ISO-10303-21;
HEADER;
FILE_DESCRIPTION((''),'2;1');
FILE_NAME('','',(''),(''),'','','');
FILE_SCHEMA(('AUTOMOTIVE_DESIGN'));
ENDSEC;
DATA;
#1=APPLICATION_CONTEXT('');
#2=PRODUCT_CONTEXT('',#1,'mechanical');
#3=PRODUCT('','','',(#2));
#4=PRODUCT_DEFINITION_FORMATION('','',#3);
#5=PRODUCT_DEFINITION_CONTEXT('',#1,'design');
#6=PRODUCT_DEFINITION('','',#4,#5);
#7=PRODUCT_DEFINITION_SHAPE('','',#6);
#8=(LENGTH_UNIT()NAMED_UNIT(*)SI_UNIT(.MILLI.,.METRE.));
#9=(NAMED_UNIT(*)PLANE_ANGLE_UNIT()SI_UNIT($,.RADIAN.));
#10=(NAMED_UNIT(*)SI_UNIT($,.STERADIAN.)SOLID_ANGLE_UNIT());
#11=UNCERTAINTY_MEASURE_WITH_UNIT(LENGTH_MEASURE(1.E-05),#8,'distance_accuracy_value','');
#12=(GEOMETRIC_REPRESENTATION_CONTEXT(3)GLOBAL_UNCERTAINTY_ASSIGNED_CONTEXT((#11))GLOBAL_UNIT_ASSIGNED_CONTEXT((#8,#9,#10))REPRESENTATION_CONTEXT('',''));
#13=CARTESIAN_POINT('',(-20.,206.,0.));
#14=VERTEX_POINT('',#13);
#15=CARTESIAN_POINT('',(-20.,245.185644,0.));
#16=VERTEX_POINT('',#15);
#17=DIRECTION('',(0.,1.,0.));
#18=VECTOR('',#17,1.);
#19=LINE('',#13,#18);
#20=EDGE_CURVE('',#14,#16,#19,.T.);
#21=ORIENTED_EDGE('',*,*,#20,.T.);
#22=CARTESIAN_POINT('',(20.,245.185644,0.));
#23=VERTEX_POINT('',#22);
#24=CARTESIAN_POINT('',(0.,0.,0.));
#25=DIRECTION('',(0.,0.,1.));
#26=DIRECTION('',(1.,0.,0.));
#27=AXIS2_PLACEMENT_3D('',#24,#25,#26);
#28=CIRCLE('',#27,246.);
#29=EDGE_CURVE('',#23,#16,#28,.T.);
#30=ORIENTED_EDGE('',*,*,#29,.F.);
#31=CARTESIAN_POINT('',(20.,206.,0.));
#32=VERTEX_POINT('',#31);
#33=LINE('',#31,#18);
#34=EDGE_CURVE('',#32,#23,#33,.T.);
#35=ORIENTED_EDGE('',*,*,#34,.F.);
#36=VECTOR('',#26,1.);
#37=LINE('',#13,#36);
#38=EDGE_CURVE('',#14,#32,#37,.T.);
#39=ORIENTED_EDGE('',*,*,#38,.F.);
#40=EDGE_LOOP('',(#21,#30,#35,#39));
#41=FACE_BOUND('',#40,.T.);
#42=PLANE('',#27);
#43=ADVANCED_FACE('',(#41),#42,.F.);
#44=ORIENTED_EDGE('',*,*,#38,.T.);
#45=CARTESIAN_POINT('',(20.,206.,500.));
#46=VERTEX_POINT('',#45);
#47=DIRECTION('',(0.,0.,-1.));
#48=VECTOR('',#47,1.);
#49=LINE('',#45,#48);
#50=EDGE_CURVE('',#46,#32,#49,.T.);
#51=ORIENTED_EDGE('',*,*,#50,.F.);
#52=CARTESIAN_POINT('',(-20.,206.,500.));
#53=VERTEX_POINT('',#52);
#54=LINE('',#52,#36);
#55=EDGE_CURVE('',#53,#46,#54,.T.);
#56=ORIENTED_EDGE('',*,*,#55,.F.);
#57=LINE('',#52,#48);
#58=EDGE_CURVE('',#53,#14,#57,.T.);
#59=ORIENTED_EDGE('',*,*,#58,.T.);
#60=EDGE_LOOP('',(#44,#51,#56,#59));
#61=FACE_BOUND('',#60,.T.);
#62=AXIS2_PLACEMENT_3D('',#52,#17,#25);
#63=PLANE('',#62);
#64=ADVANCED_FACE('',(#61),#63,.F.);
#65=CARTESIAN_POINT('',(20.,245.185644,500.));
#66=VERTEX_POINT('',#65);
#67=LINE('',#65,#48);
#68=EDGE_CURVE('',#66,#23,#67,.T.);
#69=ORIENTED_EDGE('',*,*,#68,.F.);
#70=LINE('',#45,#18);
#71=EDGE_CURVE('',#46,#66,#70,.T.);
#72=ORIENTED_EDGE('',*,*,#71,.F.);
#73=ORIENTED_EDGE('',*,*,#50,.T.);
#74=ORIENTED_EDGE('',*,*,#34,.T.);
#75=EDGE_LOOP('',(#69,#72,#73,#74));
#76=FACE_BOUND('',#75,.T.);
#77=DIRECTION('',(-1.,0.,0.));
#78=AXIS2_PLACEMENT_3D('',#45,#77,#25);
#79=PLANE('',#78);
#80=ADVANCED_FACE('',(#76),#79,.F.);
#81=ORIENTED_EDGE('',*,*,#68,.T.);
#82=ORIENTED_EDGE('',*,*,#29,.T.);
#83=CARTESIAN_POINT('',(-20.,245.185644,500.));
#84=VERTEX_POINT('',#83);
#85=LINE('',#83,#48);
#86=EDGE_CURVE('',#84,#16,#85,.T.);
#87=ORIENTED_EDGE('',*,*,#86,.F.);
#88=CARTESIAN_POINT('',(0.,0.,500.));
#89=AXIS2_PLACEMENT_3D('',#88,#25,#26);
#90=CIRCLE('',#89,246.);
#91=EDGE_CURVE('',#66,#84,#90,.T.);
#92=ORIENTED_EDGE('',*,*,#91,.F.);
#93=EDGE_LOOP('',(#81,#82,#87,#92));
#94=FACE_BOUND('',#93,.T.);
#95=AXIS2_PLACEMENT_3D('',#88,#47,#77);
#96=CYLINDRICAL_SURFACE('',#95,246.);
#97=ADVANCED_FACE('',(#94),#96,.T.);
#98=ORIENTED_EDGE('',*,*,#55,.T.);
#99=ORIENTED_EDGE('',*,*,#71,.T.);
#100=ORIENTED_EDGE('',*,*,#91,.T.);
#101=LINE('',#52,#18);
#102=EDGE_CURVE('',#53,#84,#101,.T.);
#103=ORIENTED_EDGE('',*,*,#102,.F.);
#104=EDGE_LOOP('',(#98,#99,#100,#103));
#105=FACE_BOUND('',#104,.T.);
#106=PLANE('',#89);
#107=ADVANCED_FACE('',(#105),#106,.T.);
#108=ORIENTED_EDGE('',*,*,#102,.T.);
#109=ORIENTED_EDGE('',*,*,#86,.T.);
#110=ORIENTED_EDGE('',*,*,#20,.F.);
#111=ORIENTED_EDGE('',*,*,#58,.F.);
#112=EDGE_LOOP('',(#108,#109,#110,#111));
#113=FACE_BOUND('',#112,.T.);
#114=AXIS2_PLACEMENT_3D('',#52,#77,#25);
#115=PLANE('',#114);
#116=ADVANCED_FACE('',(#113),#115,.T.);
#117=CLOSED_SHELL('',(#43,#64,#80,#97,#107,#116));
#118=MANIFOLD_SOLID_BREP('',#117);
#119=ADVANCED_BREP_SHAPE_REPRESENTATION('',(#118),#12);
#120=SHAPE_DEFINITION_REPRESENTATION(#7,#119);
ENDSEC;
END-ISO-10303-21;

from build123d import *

# Parameters (mm, degrees)
AUFSATZ_LINEAR_AUSTRAGEN1_DEPTH = 500


with BuildPart() as part:
    # Skizze1 → Aufsatz-Linear austragen1 (new body)
    with BuildSketch(Plane.XY):
        with BuildLine():
            Line((-20, 206), (-20, 245.185643952))
            ThreePointArc((-20, 245.185643952), (0, 246), (20, 245.185643952))
            Line((20, 245.185643952), (20, 206))
            Line((20, 206), (-20, 206))
        make_face()
    extrude(amount=AUFSATZ_LINEAR_AUSTRAGEN1_DEPTH)


solid = part.part
